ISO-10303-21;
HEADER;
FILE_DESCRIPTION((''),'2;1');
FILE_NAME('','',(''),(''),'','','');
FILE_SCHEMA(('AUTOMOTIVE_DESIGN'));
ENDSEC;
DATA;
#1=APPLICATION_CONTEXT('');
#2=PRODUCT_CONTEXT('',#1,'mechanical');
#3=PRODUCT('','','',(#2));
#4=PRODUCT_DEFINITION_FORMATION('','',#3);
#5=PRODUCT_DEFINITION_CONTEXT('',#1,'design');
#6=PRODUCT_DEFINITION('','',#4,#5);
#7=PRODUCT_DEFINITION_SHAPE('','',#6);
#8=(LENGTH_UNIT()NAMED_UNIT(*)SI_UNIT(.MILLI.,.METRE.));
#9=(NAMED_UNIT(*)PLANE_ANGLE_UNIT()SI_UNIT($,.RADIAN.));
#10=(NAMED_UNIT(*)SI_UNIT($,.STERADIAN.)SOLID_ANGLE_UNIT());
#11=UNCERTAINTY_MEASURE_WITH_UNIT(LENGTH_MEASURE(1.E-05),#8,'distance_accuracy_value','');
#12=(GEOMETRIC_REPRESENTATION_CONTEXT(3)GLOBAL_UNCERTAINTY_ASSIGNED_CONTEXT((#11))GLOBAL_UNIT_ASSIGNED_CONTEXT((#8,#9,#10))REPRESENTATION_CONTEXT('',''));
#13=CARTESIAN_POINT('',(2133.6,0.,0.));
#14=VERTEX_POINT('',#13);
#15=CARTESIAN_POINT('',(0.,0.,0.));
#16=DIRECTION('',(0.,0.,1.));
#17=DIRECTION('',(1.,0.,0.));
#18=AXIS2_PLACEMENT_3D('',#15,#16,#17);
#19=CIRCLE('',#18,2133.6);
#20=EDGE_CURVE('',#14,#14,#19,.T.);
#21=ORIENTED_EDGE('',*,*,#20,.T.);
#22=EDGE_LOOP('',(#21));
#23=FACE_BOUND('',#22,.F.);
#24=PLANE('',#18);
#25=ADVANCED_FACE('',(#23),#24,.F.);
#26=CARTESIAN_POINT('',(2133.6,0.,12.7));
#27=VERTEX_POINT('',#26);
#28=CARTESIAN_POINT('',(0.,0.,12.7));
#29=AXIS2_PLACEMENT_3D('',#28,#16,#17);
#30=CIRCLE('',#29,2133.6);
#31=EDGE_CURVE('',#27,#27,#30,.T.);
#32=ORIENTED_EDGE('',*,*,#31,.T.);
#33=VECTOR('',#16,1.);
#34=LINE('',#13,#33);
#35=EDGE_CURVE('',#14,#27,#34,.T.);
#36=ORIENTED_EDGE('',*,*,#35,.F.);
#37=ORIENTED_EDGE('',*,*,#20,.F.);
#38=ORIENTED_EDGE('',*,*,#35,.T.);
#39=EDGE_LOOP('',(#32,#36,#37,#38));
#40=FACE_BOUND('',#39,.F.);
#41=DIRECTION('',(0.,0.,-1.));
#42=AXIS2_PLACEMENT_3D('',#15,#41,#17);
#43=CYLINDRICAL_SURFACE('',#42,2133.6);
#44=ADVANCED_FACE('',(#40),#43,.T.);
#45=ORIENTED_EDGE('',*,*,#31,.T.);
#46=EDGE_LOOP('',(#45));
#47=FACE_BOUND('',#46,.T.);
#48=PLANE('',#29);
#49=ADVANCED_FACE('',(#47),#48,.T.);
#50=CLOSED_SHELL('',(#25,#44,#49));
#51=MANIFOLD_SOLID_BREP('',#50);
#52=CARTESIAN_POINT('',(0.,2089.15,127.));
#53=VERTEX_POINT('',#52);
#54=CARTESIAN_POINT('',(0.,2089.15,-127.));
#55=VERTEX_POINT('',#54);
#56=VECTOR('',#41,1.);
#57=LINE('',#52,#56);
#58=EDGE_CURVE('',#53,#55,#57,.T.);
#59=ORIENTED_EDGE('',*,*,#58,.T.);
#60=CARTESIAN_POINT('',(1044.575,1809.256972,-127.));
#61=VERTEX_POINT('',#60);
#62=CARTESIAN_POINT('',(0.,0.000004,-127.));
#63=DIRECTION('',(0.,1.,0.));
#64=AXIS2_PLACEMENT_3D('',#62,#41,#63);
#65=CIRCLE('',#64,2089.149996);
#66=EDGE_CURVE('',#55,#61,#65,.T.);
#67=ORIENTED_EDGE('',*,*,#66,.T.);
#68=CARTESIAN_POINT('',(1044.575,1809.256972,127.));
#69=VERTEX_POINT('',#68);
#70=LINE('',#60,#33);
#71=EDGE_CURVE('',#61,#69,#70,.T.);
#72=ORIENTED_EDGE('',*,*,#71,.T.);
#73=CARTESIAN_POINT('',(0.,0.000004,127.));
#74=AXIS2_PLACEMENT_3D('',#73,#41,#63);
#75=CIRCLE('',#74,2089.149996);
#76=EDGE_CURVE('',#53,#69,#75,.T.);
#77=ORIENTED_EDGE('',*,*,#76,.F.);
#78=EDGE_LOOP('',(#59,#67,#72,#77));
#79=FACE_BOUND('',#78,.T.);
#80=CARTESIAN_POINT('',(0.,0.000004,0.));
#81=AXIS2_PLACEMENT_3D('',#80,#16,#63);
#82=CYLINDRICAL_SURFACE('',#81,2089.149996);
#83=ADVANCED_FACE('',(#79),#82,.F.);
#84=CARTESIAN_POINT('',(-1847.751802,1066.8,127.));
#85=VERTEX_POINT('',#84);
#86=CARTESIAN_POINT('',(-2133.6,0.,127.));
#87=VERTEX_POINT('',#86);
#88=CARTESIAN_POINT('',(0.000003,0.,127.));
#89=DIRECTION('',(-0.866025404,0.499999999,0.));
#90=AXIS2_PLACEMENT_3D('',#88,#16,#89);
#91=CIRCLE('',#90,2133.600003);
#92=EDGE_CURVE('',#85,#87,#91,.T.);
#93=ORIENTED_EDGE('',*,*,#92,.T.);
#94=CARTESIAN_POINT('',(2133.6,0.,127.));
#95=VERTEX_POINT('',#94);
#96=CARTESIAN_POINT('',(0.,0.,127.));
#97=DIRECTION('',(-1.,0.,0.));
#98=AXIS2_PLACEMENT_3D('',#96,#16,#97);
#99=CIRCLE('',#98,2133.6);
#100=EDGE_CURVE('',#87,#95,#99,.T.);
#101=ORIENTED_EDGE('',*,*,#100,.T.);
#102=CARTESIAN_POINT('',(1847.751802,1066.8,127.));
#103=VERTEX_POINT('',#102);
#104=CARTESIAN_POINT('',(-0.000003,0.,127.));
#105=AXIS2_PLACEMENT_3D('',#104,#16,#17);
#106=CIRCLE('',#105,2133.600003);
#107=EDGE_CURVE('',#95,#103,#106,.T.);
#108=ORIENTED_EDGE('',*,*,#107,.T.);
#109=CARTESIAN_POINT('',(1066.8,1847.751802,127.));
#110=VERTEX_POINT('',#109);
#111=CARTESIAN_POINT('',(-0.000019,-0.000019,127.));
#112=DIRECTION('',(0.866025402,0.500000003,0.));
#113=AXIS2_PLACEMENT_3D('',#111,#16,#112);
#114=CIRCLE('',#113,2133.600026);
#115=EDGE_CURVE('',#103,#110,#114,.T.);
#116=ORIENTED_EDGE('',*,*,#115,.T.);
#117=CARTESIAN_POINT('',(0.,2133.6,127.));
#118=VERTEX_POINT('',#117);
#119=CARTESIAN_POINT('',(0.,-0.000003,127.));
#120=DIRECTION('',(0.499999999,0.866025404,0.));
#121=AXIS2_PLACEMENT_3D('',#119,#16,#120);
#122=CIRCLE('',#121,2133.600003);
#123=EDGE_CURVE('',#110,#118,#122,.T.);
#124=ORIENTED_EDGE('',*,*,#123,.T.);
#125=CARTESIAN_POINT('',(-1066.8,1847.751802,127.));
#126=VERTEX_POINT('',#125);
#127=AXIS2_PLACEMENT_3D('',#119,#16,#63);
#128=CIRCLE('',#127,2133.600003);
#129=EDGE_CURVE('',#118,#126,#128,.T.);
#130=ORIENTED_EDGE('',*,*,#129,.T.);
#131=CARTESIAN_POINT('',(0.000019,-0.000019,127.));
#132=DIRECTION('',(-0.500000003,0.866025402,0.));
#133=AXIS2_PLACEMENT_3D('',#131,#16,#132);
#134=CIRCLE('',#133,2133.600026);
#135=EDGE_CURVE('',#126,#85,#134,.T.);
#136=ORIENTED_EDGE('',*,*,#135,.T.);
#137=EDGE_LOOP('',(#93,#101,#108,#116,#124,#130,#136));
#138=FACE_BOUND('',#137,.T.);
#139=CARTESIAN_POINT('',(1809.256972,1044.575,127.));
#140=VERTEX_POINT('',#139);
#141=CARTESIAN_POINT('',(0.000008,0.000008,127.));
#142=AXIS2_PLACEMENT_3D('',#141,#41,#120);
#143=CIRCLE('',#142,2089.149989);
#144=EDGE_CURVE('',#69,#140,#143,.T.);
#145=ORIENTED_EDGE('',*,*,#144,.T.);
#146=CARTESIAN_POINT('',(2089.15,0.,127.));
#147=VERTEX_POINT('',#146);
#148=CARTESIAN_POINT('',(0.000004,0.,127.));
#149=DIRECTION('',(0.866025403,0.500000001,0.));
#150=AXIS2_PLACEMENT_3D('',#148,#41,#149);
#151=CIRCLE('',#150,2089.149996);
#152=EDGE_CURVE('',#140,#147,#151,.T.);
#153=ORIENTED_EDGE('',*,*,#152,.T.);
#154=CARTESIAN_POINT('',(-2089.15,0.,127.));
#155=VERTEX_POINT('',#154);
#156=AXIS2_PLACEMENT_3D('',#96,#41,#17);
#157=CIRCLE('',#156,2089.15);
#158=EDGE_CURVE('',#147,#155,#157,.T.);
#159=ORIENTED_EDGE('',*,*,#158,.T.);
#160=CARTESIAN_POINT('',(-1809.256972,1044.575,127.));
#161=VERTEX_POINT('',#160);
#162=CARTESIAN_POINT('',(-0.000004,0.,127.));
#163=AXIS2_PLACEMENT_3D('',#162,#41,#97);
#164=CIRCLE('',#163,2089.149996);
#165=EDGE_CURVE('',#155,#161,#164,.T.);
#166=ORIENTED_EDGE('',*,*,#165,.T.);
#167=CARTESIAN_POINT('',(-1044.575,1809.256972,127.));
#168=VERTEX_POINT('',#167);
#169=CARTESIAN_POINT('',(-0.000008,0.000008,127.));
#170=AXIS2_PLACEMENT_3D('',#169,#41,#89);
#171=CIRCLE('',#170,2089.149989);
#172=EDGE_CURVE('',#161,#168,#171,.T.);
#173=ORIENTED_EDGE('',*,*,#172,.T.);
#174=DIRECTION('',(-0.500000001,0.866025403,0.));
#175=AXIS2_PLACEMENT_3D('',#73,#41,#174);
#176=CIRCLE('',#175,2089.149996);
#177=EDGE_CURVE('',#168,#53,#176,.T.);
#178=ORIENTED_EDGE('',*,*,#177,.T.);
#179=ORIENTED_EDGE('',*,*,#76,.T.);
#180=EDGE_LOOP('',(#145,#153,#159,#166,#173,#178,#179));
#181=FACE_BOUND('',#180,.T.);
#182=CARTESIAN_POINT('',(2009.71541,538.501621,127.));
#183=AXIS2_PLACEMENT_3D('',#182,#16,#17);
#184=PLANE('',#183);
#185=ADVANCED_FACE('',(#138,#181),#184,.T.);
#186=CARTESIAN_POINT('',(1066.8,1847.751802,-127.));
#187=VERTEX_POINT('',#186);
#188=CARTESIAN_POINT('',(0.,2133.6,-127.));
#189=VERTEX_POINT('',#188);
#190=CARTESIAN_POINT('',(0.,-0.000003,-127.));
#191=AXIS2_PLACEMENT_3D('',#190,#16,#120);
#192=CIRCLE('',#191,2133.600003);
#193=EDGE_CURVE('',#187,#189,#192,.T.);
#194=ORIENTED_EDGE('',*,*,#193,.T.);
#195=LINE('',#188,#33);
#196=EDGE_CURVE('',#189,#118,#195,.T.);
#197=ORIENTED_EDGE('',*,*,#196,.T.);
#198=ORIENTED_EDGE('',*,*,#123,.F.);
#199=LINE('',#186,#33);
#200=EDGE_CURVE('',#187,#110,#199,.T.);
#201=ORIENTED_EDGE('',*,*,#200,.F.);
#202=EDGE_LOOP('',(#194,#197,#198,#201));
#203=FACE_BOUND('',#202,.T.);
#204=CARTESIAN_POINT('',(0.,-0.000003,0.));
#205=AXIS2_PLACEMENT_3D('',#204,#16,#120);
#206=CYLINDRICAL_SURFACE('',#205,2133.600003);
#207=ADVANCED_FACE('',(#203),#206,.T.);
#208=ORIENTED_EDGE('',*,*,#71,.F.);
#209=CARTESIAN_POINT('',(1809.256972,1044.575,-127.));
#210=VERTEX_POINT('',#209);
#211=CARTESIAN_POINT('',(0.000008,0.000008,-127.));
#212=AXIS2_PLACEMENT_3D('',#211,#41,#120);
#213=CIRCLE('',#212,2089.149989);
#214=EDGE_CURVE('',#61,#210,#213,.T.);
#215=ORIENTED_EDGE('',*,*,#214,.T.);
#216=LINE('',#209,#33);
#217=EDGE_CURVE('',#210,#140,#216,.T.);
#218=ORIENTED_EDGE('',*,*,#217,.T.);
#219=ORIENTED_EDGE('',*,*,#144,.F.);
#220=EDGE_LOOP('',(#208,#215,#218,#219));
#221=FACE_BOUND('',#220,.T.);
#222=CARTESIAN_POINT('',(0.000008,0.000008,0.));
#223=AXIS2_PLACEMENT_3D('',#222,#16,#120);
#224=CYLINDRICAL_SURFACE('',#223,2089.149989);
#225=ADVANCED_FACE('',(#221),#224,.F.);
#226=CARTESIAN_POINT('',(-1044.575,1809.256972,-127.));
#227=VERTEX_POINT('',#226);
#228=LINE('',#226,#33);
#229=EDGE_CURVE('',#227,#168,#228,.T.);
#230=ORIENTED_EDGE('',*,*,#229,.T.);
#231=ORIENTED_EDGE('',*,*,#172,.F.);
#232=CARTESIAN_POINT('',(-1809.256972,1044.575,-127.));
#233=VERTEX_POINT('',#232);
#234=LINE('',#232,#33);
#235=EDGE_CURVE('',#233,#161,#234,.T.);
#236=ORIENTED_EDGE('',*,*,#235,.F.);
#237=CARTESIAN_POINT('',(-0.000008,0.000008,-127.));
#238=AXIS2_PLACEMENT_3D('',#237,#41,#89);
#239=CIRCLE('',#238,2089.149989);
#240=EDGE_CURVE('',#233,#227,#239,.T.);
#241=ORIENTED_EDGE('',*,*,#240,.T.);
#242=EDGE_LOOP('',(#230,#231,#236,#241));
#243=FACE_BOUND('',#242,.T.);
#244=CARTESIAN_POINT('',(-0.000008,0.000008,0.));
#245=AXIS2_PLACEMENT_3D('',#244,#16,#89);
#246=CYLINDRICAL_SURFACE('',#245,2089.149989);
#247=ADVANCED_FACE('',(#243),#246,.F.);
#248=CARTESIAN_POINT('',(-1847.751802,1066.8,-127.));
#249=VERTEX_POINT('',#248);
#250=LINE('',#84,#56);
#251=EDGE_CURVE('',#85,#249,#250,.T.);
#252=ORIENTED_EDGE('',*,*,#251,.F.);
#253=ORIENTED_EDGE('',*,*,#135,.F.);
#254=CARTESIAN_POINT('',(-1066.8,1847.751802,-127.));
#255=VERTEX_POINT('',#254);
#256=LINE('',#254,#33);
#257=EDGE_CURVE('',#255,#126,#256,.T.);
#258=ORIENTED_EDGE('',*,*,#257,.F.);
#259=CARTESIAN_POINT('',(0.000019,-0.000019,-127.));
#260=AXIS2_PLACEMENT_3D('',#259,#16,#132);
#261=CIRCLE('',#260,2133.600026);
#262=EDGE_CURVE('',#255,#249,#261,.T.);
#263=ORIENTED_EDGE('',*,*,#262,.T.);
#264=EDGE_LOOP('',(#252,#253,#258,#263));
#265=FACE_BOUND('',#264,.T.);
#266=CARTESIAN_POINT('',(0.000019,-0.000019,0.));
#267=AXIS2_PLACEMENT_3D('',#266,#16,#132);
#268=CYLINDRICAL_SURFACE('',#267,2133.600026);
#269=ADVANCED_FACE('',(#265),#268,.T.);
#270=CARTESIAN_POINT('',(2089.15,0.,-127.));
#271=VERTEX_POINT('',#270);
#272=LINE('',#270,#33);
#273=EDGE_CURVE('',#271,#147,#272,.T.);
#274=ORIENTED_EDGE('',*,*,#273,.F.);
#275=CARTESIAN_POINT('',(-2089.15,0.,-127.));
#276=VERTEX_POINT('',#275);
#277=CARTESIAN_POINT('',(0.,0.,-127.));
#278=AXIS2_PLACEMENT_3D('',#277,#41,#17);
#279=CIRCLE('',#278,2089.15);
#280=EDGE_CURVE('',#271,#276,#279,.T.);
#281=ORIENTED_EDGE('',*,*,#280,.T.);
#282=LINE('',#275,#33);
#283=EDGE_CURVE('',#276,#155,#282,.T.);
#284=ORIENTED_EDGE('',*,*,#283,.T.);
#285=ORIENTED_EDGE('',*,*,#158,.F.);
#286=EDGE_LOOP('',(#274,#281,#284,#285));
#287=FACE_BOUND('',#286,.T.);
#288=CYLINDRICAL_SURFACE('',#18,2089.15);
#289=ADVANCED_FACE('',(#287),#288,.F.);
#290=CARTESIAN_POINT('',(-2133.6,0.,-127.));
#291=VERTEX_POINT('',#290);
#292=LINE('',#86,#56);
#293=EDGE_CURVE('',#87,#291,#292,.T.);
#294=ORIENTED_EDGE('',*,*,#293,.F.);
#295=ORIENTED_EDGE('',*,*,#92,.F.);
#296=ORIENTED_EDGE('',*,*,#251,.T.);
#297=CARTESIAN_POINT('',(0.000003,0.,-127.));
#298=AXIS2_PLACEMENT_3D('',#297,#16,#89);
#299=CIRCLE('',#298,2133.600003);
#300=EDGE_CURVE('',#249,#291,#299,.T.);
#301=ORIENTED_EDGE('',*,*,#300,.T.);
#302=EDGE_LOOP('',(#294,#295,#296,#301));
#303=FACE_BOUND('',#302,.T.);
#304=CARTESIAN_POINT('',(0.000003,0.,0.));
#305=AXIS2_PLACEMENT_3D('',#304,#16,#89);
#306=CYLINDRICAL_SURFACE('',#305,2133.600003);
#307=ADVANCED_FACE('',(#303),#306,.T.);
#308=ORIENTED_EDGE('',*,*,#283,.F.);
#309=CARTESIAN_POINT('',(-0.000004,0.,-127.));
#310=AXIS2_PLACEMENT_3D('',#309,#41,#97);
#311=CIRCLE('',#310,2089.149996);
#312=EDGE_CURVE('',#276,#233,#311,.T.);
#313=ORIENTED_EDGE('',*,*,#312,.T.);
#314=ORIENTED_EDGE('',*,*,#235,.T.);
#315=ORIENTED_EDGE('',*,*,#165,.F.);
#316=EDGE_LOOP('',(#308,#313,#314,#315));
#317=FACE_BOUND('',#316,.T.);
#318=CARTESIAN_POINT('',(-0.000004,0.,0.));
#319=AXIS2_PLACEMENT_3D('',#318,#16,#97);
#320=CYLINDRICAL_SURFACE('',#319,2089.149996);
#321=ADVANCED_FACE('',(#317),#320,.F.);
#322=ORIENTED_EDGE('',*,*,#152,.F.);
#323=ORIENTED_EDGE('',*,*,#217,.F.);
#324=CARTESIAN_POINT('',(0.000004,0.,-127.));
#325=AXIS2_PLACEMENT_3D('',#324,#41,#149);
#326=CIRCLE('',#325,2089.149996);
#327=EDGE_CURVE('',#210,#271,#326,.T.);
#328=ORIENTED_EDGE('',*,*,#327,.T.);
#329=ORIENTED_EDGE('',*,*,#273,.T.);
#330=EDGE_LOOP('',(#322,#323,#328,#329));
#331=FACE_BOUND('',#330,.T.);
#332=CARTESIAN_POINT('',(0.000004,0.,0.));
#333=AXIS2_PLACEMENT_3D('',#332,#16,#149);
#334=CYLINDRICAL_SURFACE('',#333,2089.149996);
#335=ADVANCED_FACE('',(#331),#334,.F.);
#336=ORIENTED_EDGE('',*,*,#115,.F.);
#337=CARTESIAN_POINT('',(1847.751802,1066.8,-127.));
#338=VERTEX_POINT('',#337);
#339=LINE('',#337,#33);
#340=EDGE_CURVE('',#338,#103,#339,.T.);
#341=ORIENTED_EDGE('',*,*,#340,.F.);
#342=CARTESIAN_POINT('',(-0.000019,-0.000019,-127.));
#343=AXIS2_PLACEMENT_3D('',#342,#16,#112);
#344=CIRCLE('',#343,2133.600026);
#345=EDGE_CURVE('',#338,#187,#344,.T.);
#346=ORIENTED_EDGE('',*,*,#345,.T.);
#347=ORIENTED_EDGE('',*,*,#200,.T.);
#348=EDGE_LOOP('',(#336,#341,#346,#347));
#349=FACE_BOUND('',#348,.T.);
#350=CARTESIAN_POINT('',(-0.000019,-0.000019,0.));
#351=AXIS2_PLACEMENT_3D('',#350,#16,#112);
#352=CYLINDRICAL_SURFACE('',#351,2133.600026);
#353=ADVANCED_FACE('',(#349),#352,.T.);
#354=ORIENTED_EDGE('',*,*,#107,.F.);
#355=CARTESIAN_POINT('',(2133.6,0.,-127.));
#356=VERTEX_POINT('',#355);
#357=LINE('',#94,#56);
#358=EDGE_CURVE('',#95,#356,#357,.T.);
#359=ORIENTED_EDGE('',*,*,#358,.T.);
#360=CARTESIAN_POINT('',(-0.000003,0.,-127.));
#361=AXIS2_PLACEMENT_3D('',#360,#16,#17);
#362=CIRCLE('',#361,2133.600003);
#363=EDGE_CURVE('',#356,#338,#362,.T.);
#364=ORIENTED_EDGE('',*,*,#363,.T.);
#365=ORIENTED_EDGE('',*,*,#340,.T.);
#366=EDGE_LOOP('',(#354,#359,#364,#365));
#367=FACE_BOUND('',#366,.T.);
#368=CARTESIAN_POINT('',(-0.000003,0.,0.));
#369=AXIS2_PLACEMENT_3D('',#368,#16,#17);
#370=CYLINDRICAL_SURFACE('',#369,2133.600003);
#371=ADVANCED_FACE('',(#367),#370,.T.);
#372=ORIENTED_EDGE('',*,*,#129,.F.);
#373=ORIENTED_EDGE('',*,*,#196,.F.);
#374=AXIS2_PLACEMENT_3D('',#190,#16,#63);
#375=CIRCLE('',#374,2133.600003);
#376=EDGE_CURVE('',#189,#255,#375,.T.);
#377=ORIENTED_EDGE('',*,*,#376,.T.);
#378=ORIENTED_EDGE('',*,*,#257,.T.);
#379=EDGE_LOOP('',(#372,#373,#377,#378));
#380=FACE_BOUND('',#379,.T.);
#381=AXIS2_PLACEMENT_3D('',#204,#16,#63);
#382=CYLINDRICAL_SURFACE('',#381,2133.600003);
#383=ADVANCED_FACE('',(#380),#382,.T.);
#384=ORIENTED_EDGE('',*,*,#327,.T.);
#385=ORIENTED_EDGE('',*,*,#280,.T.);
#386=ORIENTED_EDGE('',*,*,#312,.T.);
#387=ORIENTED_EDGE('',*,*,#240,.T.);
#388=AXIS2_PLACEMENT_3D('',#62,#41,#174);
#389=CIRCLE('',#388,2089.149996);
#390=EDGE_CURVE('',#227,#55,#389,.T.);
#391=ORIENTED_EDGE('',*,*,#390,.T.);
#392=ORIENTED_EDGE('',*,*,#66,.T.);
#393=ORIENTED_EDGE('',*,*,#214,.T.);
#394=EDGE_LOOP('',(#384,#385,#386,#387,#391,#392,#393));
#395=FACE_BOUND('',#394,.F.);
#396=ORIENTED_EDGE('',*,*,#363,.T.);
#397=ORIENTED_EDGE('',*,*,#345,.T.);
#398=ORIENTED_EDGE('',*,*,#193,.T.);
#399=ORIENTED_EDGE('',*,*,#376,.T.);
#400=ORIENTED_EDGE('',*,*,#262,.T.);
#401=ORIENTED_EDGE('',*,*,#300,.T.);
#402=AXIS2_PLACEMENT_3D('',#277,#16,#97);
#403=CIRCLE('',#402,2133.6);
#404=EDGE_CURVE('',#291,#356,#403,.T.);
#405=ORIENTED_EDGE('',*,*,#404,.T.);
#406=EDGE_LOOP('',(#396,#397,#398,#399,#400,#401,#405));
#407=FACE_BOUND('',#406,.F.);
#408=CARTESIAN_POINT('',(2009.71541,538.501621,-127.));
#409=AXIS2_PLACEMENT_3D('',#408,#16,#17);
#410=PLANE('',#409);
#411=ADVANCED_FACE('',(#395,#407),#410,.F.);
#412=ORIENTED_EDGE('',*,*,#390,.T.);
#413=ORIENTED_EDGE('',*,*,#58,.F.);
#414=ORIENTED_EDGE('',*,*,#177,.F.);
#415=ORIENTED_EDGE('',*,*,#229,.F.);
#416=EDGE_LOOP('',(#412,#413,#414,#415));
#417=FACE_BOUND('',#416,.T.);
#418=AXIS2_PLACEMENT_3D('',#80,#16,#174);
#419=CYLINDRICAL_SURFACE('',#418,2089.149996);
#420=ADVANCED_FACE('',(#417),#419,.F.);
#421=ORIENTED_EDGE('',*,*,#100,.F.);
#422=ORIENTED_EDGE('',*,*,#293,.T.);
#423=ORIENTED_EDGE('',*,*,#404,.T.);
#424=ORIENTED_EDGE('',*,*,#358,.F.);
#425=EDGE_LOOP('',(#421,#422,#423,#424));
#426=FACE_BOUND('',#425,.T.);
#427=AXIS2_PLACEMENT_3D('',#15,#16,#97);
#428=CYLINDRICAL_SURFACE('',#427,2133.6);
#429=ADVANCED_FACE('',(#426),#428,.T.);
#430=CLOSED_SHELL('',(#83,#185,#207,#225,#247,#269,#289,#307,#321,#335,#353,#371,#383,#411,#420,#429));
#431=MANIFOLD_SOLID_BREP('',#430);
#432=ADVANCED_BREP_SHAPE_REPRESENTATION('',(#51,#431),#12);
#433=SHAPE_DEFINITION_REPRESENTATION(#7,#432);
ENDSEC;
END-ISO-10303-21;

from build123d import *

# Parameters (mm, degrees)
F1_R     = 2133.6
F2_DEPTH = 12.7
F3_DEPTH = 127


with BuildPart() as f2:
    # F1 (on Top) → F2 (new body)
    with BuildSketch(Plane.XY):
        Circle(F1_R)
    extrude(amount=F2_DEPTH)


with BuildPart() as f3:
    # F0 (on Top) → F3 (new body, symmetric)
    with BuildSketch(Plane.XY):
        with BuildLine():
            Line((2089.15, 0), (2133.6, 0))
            ThreePointArc((2133.6, 0), (2060.899343, 552.216315), (1847.751802, 1066.8))
            Line((1847.751802, 1066.8), (1809.256972, 1044.575))
            ThreePointArc((1809.256972, 1044.575), (2017.96394, 540.711808), (2089.15, 0))
        make_face()
        with BuildLine():
            ThreePointArc((-2133.6, 0), (0, -2133.6), (2133.6, 0))
            Line((2133.6, 0), (2089.15, 0))
            ThreePointArc((2089.15, 0), (0, -2089.15), (-2089.15, 0))
            Line((-2089.15, 0), (-2133.6, 0))
        make_face()
        with BuildLine():
            Line((1809.256972, 1044.575), (1847.751802, 1066.8))
            ThreePointArc((1847.751802, 1066.8), (1508.683028, 1508.683028), (1066.8, 1847.751802))
            Line((1066.8, 1847.751802), (1044.575, 1809.256972))
            ThreePointArc((1044.575, 1809.256972), (1477.252132, 1477.252132), (1809.256972, 1044.575))
        make_face()
        with BuildLine():
            ThreePointArc((-1847.751802, 1066.8), (-2060.899343, 552.216315), (-2133.6, 0))
            Line((-2133.6, 0), (-2089.15, 0))
            ThreePointArc((-2089.15, 0), (-2017.96394, 540.711808), (-1809.256972, 1044.575))
            Line((-1809.256972, 1044.575), (-1847.751802, 1066.8))
        make_face()
        with BuildLine():
            Line((1044.575, 1809.256972), (1066.8, 1847.751802))
            ThreePointArc((1066.8, 1847.751802), (552.216315, 2060.899343), (0, 2133.6))
            Line((0, 2133.6), (0, 2089.15))
            ThreePointArc((0, 2089.15), (540.711808, 2017.96394), (1044.575, 1809.256972))
        make_face()
        with BuildLine():
            ThreePointArc((-1066.8, 1847.751802), (-1508.683028, 1508.683028), (-1847.751802, 1066.8))
            Line((-1847.751802, 1066.8), (-1809.256972, 1044.575))
            ThreePointArc((-1809.256972, 1044.575), (-1477.252132, 1477.252132), (-1044.575, 1809.256972))
            Line((-1044.575, 1809.256972), (-1066.8, 1847.751802))
        make_face()
        with BuildLine():
            Line((0, 2089.15), (0, 2133.6))
            ThreePointArc((0, 2133.6), (-552.216315, 2060.899343), (-1066.8, 1847.751802))
            Line((-1066.8, 1847.751802), (-1044.575, 1809.256972))
            ThreePointArc((-1044.575, 1809.256972), (-540.711808, 2017.96394), (0, 2089.15))
        make_face()
    extrude(amount=F3_DEPTH, both=True)


solid = Compound([f2.part, f3.part])
